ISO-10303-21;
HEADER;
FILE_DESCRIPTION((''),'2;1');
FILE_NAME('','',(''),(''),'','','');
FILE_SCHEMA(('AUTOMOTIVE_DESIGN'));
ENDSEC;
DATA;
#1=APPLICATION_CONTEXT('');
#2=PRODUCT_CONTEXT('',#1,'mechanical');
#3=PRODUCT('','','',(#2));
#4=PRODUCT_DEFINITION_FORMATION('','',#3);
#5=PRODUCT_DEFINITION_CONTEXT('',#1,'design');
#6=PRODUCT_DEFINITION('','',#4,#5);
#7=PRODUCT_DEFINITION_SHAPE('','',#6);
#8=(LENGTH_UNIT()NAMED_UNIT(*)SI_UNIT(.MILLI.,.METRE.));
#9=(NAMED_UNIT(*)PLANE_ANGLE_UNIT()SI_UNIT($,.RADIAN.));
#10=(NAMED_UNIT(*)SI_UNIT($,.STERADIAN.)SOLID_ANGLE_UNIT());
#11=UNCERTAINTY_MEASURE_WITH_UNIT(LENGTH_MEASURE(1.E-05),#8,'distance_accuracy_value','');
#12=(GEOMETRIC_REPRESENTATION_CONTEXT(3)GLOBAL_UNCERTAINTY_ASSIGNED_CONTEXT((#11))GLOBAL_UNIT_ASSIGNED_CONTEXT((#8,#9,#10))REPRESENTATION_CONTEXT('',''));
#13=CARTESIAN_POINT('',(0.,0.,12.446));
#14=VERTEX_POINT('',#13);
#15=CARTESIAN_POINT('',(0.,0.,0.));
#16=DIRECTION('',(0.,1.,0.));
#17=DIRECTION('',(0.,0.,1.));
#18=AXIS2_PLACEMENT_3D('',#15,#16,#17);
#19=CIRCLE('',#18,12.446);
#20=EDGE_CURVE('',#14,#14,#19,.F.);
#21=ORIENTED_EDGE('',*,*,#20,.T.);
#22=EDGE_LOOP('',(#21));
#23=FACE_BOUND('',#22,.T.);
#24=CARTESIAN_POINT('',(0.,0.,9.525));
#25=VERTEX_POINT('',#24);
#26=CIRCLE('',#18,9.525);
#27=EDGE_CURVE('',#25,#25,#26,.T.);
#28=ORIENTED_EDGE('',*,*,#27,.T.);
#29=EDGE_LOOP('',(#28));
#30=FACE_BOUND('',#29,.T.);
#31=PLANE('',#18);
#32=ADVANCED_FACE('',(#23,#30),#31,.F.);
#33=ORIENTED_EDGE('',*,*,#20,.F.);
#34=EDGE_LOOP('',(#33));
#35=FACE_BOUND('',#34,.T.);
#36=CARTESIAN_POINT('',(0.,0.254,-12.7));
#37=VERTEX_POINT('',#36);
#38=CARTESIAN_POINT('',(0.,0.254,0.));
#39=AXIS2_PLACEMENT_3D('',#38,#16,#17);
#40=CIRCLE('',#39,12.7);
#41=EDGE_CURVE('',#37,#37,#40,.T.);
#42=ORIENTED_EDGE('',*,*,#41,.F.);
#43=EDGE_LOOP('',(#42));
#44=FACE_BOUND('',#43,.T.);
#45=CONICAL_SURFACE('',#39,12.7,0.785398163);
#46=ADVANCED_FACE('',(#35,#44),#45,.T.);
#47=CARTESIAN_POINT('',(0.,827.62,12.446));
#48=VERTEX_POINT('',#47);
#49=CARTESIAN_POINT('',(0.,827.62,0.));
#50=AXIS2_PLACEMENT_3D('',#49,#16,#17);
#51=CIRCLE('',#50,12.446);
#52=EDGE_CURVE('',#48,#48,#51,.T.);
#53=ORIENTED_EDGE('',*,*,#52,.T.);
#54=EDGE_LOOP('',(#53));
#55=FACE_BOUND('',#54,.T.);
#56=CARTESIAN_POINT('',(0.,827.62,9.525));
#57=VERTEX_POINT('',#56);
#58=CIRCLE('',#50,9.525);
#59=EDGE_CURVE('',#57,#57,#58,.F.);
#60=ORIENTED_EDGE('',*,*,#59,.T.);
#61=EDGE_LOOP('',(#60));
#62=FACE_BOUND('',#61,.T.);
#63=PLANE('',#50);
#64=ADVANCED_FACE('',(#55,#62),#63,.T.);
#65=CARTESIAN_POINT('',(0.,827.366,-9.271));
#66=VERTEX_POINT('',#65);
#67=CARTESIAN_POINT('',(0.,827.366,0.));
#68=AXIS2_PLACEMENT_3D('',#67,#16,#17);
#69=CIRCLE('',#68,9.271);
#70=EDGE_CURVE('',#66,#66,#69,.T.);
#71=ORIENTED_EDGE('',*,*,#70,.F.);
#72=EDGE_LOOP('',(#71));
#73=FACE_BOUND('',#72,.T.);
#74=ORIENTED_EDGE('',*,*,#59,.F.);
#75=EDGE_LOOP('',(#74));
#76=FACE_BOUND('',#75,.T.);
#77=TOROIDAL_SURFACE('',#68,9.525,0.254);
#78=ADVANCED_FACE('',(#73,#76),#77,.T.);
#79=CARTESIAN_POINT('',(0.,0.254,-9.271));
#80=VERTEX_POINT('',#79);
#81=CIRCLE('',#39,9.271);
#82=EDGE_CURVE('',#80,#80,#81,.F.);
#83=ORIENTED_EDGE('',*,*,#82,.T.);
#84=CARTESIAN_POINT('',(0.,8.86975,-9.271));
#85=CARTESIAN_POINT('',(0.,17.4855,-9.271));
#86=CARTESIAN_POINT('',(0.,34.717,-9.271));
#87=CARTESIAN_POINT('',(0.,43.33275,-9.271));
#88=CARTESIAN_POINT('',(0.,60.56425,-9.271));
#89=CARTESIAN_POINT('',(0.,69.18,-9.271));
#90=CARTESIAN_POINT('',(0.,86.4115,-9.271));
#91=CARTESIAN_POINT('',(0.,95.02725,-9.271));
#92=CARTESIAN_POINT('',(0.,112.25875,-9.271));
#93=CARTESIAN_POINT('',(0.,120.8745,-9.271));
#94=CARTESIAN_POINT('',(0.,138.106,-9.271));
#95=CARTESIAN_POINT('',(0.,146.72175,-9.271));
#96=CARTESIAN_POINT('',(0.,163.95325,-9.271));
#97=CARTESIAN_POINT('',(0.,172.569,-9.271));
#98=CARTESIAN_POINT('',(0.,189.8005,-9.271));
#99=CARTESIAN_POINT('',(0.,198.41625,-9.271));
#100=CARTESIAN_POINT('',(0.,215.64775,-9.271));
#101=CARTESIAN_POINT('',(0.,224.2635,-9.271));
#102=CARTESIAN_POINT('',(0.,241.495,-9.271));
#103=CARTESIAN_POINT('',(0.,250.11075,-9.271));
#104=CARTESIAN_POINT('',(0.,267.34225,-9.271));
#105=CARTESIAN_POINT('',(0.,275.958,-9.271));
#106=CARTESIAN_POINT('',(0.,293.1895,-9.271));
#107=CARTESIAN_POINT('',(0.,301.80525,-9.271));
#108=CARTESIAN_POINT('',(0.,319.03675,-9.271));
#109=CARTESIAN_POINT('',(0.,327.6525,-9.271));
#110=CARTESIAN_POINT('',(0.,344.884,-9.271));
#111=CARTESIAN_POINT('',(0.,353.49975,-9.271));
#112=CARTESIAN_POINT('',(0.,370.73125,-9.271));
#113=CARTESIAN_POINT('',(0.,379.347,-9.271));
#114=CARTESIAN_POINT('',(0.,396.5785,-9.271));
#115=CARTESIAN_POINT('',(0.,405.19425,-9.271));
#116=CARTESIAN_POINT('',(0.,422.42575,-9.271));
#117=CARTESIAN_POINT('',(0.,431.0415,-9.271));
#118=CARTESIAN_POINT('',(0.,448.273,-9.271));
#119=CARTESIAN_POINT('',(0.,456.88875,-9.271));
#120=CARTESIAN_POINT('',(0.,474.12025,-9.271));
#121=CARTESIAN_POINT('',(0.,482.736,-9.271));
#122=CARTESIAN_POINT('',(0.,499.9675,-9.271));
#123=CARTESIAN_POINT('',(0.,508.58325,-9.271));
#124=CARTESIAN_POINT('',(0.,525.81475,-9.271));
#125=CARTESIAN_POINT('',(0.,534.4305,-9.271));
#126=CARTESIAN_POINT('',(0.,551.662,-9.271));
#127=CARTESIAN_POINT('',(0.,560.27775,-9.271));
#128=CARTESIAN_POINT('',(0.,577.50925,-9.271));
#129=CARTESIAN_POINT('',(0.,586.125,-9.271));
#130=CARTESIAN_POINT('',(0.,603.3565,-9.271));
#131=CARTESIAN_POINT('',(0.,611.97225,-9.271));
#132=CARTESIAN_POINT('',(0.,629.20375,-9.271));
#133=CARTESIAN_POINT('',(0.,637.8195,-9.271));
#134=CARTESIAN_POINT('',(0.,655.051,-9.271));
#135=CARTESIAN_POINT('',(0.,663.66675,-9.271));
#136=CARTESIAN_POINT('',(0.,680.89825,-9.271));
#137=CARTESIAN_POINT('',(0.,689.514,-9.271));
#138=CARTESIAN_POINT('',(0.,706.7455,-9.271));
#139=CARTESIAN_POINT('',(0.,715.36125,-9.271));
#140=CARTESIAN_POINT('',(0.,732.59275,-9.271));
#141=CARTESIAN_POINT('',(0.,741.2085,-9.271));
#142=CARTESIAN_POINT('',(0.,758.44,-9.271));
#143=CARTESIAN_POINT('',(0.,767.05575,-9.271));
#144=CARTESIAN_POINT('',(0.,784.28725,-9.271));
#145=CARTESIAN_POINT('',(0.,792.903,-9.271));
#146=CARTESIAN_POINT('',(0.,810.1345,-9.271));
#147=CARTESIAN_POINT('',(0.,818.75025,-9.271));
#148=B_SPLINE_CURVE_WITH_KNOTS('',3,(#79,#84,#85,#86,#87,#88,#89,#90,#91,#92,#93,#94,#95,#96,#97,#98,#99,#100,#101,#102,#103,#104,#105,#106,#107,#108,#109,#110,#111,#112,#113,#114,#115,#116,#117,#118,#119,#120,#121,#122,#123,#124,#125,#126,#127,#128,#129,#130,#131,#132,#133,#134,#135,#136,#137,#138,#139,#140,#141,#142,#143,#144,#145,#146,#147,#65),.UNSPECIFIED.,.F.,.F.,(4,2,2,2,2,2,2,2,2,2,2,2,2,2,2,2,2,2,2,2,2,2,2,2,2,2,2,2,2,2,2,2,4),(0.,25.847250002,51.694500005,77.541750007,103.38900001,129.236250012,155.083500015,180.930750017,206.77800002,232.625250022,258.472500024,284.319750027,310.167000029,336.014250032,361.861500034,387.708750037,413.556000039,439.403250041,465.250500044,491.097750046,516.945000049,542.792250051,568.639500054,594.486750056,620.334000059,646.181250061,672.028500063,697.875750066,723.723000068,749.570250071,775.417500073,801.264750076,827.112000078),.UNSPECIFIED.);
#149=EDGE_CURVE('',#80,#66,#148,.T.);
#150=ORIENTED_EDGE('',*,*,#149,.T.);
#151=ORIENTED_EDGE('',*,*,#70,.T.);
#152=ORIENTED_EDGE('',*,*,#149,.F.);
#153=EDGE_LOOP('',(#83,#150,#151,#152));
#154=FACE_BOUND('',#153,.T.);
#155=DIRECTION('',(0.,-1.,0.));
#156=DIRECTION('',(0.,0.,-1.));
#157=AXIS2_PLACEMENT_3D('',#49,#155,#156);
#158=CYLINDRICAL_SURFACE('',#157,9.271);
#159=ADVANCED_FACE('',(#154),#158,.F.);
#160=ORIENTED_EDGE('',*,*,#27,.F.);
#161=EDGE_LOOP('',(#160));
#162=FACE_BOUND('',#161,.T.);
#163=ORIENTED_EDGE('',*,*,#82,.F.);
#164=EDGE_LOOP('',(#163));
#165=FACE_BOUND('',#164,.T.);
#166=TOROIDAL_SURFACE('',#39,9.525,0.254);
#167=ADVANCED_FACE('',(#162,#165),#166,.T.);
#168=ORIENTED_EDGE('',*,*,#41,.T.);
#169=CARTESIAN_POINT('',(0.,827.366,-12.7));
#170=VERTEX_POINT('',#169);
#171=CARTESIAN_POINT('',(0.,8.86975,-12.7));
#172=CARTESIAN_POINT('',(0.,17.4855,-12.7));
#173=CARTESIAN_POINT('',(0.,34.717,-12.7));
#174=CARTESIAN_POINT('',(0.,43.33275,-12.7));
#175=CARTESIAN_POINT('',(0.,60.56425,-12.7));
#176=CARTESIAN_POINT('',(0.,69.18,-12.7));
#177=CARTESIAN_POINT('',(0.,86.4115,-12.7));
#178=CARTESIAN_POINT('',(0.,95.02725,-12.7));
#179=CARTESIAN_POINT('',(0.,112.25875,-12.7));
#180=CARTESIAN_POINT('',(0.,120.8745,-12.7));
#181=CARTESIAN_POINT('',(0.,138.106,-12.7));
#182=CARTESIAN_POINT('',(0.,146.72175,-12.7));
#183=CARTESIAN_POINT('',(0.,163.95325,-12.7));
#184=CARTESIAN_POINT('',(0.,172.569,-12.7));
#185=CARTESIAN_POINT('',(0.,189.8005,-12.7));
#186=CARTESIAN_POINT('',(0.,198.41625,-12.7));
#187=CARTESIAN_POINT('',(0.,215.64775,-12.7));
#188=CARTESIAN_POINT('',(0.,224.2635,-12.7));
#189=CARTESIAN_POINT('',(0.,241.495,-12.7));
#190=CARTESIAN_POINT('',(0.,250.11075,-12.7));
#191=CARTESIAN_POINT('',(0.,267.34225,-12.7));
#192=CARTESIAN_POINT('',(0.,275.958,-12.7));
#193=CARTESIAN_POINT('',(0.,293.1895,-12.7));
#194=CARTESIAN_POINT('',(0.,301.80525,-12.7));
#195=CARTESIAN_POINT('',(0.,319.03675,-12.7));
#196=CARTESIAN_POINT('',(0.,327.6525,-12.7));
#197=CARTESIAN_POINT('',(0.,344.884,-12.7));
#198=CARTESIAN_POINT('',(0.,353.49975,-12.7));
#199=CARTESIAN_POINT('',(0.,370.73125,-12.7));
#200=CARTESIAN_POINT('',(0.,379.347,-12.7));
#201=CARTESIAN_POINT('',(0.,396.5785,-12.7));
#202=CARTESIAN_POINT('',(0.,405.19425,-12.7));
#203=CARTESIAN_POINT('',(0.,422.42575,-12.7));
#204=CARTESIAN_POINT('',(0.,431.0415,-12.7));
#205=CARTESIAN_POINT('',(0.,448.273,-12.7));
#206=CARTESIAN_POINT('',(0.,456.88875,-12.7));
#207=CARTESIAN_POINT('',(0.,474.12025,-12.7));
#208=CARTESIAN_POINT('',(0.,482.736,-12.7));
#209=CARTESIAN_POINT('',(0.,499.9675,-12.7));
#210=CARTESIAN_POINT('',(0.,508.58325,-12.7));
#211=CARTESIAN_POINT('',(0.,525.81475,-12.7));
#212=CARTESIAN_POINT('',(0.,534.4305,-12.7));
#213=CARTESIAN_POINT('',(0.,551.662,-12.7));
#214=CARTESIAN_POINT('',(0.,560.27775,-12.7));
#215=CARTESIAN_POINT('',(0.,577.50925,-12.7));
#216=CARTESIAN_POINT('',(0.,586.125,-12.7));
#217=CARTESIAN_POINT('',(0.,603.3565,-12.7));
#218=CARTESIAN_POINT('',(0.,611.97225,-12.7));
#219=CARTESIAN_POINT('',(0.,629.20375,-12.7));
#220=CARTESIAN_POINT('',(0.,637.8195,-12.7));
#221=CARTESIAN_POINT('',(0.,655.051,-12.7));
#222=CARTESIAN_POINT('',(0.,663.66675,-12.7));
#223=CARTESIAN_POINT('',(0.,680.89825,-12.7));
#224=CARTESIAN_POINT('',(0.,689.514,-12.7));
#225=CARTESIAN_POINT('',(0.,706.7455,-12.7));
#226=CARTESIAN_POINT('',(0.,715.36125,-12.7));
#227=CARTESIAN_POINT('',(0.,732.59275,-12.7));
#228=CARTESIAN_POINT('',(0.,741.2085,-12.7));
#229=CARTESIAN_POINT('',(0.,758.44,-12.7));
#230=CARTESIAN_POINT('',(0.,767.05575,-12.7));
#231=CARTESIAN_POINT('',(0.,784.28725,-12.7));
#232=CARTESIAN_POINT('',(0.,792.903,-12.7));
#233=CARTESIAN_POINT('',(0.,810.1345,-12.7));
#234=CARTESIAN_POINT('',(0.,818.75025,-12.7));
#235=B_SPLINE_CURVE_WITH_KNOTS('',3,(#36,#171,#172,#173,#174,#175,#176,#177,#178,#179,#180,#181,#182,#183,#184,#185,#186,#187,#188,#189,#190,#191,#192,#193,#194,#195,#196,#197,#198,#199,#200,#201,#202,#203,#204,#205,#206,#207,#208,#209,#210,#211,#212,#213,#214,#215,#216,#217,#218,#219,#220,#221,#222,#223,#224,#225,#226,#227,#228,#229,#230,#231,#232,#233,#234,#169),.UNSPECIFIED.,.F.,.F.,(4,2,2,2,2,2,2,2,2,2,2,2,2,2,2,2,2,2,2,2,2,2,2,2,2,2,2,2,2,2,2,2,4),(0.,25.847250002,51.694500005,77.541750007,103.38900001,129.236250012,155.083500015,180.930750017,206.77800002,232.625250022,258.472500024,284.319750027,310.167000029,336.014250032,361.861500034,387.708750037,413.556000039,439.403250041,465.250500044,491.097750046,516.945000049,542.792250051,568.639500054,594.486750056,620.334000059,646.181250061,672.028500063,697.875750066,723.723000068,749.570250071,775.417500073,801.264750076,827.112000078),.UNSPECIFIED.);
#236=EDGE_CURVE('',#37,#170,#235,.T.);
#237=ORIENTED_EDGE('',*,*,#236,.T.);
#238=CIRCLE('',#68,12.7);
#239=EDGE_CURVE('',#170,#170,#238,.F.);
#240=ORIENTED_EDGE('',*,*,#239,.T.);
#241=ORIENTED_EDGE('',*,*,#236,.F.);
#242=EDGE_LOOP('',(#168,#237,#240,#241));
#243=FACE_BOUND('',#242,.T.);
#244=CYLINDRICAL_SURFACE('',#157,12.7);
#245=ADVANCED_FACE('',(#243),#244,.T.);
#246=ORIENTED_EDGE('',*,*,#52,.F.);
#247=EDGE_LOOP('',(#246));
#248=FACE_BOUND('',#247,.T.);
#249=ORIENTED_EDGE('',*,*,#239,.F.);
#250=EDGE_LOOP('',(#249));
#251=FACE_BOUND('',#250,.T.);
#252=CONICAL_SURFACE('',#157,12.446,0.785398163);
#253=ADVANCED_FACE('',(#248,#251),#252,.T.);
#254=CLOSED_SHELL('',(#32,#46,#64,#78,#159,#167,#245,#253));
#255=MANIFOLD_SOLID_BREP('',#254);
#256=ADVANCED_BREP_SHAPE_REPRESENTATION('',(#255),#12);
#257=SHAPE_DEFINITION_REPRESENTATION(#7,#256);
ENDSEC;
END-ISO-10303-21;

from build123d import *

# Parameters (mm, degrees)
SKETCH1_R           = 12.7
SKETCH1_R_2         = 9.271
BOSS_EXTRUDE1_DEPTH = 827.620000078
CHAMFER1_SIZE       = 0.254
FILLET1_R           = 0.254


with BuildPart() as part:
    # Sketch1 → Boss-Extrude1 (new body)
    with BuildSketch(Plane(origin=(0, 0, 0), x_dir=(1, 0, 0), z_dir=(0, 1, 0))):
        with Locations(Location((0, 0, 0), (0, 0, 90))):
            Circle(SKETCH1_R)
        with Locations(Location((0, 0, 0), (0, 0, 90))):
            Circle(SKETCH1_R_2, mode=Mode.SUBTRACT)
    extrude(amount=BOSS_EXTRUDE1_DEPTH)

    # Chamfer1
    chamfer1_edges = [part.edges().sort_by_distance(p)[0] for p in [
        (0, 0, 12.7),
        (0, 827.620000078, 12.7),
    ]]
    chamfer(chamfer1_edges, length=CHAMFER1_SIZE)

    # Fillet1
    fillet1_edges = [part.edges().sort_by_distance(p)[0] for p in [
        (0, 0, 9.271),
        (0, 827.620000078, 9.271),
    ]]
    fillet(fillet1_edges, radius=FILLET1_R)


solid = part.part
